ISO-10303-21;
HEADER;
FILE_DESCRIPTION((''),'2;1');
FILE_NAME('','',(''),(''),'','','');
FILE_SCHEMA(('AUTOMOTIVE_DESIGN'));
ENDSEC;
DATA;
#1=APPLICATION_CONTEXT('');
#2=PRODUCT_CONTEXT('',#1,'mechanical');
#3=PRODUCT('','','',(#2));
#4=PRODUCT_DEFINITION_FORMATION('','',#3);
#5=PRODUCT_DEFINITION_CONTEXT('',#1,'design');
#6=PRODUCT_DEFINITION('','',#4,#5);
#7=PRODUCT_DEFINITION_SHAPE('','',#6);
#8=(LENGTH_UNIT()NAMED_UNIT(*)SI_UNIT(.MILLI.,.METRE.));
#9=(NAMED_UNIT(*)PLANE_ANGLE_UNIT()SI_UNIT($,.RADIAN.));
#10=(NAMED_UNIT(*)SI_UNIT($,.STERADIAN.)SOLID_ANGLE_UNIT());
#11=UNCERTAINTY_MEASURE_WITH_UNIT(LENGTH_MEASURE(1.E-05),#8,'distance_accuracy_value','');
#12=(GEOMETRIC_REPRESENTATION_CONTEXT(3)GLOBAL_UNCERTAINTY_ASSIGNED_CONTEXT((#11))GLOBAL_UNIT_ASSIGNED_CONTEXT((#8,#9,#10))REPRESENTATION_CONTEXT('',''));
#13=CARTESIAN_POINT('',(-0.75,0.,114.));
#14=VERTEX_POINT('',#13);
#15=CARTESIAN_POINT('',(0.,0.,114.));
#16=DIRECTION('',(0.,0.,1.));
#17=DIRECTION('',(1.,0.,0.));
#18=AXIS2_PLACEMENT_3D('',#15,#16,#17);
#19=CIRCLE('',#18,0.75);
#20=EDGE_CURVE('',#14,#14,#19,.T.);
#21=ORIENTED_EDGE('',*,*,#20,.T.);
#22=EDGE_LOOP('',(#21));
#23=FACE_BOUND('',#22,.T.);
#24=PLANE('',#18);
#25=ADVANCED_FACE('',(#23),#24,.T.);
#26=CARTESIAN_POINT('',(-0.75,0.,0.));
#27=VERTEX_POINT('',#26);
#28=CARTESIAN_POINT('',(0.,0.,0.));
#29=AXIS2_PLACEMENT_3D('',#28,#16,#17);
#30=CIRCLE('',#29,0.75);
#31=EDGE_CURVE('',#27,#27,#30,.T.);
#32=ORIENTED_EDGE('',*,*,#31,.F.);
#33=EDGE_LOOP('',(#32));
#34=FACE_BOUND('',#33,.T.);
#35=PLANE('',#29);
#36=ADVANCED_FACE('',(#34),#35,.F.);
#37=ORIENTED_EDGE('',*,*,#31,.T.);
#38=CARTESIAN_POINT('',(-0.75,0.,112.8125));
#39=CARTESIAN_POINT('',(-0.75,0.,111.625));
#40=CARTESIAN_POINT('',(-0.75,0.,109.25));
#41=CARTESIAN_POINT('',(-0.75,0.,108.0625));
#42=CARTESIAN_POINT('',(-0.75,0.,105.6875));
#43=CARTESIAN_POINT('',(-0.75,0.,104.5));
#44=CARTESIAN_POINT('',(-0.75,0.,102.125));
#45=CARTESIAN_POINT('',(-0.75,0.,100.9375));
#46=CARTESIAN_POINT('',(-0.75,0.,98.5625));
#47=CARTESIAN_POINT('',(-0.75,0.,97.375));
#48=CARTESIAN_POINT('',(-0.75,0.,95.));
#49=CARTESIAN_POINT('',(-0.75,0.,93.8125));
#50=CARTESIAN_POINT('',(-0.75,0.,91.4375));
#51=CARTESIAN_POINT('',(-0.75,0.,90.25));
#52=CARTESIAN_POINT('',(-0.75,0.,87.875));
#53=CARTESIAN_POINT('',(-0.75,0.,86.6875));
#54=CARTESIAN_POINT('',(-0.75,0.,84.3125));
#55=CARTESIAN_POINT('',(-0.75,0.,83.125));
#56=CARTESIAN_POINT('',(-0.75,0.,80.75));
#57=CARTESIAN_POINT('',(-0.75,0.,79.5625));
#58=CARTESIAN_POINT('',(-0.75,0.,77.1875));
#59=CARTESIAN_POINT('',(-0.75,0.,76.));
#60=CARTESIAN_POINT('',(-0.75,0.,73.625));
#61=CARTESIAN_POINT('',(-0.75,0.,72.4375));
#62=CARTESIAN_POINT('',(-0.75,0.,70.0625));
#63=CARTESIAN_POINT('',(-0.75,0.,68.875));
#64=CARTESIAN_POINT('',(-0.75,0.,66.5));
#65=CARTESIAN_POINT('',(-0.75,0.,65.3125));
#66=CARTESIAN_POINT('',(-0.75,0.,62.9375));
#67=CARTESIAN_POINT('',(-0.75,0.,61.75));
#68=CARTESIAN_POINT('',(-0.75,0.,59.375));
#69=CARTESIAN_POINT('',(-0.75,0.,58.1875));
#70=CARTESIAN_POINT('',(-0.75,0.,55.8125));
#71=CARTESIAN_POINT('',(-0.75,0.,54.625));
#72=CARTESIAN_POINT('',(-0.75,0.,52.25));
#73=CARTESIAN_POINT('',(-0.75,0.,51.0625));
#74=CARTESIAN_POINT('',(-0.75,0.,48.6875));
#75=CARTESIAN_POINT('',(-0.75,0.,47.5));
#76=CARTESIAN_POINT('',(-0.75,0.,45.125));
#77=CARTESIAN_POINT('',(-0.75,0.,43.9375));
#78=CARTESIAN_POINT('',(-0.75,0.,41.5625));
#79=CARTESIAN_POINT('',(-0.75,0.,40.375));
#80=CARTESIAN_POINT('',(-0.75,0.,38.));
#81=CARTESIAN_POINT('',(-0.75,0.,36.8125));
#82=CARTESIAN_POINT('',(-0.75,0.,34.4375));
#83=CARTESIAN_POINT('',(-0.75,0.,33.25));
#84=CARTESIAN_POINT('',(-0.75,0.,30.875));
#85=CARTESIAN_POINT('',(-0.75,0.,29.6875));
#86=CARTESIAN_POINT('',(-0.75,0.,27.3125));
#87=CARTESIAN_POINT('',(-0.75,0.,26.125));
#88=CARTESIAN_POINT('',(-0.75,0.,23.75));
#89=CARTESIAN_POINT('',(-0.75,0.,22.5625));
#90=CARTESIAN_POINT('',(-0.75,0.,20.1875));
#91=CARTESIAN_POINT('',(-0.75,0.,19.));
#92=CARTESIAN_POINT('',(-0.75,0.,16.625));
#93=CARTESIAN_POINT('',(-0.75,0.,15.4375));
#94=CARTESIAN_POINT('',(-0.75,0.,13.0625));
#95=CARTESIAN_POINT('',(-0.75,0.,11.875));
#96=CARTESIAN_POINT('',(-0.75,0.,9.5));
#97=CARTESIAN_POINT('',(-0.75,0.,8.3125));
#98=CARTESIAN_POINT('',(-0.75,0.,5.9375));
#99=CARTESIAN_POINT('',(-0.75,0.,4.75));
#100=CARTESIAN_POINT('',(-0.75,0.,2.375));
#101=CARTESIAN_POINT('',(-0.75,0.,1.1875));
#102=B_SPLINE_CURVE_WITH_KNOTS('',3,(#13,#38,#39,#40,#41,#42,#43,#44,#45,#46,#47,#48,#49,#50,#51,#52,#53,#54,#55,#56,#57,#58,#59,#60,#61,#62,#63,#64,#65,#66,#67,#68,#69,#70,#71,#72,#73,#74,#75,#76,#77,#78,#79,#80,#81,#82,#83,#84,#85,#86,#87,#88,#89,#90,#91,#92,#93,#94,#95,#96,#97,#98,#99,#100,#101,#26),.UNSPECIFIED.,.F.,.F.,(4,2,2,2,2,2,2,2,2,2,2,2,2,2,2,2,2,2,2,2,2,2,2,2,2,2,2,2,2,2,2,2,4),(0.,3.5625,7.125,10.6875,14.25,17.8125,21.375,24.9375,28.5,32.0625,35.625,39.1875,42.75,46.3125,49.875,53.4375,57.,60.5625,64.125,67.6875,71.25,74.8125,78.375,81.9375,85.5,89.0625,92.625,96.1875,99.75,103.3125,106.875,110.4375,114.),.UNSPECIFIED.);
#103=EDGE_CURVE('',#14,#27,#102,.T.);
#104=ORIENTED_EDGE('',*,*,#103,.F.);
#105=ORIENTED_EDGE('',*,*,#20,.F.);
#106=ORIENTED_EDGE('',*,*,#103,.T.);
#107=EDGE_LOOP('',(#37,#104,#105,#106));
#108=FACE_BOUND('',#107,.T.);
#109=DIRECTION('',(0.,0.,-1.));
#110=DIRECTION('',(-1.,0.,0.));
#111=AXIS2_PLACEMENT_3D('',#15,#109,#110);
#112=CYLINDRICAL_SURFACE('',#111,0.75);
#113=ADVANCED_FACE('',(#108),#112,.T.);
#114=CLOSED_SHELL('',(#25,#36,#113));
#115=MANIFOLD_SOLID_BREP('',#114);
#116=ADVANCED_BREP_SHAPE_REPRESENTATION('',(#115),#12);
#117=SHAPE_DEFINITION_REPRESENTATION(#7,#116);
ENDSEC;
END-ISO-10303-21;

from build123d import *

# Parameters (mm, degrees)
SKETCH_1_R      = 0.75
EXTRUDE_1_DEPTH = 114


with BuildPart() as part:
    # 草图1 → 凸台-拉伸1 (new body)
    with BuildSketch(Plane.XY):
        with Locations(Location((0, 0, 0), (0, 0, 180))):
            Circle(SKETCH_1_R)
    extrude(amount=EXTRUDE_1_DEPTH)


solid = part.part
